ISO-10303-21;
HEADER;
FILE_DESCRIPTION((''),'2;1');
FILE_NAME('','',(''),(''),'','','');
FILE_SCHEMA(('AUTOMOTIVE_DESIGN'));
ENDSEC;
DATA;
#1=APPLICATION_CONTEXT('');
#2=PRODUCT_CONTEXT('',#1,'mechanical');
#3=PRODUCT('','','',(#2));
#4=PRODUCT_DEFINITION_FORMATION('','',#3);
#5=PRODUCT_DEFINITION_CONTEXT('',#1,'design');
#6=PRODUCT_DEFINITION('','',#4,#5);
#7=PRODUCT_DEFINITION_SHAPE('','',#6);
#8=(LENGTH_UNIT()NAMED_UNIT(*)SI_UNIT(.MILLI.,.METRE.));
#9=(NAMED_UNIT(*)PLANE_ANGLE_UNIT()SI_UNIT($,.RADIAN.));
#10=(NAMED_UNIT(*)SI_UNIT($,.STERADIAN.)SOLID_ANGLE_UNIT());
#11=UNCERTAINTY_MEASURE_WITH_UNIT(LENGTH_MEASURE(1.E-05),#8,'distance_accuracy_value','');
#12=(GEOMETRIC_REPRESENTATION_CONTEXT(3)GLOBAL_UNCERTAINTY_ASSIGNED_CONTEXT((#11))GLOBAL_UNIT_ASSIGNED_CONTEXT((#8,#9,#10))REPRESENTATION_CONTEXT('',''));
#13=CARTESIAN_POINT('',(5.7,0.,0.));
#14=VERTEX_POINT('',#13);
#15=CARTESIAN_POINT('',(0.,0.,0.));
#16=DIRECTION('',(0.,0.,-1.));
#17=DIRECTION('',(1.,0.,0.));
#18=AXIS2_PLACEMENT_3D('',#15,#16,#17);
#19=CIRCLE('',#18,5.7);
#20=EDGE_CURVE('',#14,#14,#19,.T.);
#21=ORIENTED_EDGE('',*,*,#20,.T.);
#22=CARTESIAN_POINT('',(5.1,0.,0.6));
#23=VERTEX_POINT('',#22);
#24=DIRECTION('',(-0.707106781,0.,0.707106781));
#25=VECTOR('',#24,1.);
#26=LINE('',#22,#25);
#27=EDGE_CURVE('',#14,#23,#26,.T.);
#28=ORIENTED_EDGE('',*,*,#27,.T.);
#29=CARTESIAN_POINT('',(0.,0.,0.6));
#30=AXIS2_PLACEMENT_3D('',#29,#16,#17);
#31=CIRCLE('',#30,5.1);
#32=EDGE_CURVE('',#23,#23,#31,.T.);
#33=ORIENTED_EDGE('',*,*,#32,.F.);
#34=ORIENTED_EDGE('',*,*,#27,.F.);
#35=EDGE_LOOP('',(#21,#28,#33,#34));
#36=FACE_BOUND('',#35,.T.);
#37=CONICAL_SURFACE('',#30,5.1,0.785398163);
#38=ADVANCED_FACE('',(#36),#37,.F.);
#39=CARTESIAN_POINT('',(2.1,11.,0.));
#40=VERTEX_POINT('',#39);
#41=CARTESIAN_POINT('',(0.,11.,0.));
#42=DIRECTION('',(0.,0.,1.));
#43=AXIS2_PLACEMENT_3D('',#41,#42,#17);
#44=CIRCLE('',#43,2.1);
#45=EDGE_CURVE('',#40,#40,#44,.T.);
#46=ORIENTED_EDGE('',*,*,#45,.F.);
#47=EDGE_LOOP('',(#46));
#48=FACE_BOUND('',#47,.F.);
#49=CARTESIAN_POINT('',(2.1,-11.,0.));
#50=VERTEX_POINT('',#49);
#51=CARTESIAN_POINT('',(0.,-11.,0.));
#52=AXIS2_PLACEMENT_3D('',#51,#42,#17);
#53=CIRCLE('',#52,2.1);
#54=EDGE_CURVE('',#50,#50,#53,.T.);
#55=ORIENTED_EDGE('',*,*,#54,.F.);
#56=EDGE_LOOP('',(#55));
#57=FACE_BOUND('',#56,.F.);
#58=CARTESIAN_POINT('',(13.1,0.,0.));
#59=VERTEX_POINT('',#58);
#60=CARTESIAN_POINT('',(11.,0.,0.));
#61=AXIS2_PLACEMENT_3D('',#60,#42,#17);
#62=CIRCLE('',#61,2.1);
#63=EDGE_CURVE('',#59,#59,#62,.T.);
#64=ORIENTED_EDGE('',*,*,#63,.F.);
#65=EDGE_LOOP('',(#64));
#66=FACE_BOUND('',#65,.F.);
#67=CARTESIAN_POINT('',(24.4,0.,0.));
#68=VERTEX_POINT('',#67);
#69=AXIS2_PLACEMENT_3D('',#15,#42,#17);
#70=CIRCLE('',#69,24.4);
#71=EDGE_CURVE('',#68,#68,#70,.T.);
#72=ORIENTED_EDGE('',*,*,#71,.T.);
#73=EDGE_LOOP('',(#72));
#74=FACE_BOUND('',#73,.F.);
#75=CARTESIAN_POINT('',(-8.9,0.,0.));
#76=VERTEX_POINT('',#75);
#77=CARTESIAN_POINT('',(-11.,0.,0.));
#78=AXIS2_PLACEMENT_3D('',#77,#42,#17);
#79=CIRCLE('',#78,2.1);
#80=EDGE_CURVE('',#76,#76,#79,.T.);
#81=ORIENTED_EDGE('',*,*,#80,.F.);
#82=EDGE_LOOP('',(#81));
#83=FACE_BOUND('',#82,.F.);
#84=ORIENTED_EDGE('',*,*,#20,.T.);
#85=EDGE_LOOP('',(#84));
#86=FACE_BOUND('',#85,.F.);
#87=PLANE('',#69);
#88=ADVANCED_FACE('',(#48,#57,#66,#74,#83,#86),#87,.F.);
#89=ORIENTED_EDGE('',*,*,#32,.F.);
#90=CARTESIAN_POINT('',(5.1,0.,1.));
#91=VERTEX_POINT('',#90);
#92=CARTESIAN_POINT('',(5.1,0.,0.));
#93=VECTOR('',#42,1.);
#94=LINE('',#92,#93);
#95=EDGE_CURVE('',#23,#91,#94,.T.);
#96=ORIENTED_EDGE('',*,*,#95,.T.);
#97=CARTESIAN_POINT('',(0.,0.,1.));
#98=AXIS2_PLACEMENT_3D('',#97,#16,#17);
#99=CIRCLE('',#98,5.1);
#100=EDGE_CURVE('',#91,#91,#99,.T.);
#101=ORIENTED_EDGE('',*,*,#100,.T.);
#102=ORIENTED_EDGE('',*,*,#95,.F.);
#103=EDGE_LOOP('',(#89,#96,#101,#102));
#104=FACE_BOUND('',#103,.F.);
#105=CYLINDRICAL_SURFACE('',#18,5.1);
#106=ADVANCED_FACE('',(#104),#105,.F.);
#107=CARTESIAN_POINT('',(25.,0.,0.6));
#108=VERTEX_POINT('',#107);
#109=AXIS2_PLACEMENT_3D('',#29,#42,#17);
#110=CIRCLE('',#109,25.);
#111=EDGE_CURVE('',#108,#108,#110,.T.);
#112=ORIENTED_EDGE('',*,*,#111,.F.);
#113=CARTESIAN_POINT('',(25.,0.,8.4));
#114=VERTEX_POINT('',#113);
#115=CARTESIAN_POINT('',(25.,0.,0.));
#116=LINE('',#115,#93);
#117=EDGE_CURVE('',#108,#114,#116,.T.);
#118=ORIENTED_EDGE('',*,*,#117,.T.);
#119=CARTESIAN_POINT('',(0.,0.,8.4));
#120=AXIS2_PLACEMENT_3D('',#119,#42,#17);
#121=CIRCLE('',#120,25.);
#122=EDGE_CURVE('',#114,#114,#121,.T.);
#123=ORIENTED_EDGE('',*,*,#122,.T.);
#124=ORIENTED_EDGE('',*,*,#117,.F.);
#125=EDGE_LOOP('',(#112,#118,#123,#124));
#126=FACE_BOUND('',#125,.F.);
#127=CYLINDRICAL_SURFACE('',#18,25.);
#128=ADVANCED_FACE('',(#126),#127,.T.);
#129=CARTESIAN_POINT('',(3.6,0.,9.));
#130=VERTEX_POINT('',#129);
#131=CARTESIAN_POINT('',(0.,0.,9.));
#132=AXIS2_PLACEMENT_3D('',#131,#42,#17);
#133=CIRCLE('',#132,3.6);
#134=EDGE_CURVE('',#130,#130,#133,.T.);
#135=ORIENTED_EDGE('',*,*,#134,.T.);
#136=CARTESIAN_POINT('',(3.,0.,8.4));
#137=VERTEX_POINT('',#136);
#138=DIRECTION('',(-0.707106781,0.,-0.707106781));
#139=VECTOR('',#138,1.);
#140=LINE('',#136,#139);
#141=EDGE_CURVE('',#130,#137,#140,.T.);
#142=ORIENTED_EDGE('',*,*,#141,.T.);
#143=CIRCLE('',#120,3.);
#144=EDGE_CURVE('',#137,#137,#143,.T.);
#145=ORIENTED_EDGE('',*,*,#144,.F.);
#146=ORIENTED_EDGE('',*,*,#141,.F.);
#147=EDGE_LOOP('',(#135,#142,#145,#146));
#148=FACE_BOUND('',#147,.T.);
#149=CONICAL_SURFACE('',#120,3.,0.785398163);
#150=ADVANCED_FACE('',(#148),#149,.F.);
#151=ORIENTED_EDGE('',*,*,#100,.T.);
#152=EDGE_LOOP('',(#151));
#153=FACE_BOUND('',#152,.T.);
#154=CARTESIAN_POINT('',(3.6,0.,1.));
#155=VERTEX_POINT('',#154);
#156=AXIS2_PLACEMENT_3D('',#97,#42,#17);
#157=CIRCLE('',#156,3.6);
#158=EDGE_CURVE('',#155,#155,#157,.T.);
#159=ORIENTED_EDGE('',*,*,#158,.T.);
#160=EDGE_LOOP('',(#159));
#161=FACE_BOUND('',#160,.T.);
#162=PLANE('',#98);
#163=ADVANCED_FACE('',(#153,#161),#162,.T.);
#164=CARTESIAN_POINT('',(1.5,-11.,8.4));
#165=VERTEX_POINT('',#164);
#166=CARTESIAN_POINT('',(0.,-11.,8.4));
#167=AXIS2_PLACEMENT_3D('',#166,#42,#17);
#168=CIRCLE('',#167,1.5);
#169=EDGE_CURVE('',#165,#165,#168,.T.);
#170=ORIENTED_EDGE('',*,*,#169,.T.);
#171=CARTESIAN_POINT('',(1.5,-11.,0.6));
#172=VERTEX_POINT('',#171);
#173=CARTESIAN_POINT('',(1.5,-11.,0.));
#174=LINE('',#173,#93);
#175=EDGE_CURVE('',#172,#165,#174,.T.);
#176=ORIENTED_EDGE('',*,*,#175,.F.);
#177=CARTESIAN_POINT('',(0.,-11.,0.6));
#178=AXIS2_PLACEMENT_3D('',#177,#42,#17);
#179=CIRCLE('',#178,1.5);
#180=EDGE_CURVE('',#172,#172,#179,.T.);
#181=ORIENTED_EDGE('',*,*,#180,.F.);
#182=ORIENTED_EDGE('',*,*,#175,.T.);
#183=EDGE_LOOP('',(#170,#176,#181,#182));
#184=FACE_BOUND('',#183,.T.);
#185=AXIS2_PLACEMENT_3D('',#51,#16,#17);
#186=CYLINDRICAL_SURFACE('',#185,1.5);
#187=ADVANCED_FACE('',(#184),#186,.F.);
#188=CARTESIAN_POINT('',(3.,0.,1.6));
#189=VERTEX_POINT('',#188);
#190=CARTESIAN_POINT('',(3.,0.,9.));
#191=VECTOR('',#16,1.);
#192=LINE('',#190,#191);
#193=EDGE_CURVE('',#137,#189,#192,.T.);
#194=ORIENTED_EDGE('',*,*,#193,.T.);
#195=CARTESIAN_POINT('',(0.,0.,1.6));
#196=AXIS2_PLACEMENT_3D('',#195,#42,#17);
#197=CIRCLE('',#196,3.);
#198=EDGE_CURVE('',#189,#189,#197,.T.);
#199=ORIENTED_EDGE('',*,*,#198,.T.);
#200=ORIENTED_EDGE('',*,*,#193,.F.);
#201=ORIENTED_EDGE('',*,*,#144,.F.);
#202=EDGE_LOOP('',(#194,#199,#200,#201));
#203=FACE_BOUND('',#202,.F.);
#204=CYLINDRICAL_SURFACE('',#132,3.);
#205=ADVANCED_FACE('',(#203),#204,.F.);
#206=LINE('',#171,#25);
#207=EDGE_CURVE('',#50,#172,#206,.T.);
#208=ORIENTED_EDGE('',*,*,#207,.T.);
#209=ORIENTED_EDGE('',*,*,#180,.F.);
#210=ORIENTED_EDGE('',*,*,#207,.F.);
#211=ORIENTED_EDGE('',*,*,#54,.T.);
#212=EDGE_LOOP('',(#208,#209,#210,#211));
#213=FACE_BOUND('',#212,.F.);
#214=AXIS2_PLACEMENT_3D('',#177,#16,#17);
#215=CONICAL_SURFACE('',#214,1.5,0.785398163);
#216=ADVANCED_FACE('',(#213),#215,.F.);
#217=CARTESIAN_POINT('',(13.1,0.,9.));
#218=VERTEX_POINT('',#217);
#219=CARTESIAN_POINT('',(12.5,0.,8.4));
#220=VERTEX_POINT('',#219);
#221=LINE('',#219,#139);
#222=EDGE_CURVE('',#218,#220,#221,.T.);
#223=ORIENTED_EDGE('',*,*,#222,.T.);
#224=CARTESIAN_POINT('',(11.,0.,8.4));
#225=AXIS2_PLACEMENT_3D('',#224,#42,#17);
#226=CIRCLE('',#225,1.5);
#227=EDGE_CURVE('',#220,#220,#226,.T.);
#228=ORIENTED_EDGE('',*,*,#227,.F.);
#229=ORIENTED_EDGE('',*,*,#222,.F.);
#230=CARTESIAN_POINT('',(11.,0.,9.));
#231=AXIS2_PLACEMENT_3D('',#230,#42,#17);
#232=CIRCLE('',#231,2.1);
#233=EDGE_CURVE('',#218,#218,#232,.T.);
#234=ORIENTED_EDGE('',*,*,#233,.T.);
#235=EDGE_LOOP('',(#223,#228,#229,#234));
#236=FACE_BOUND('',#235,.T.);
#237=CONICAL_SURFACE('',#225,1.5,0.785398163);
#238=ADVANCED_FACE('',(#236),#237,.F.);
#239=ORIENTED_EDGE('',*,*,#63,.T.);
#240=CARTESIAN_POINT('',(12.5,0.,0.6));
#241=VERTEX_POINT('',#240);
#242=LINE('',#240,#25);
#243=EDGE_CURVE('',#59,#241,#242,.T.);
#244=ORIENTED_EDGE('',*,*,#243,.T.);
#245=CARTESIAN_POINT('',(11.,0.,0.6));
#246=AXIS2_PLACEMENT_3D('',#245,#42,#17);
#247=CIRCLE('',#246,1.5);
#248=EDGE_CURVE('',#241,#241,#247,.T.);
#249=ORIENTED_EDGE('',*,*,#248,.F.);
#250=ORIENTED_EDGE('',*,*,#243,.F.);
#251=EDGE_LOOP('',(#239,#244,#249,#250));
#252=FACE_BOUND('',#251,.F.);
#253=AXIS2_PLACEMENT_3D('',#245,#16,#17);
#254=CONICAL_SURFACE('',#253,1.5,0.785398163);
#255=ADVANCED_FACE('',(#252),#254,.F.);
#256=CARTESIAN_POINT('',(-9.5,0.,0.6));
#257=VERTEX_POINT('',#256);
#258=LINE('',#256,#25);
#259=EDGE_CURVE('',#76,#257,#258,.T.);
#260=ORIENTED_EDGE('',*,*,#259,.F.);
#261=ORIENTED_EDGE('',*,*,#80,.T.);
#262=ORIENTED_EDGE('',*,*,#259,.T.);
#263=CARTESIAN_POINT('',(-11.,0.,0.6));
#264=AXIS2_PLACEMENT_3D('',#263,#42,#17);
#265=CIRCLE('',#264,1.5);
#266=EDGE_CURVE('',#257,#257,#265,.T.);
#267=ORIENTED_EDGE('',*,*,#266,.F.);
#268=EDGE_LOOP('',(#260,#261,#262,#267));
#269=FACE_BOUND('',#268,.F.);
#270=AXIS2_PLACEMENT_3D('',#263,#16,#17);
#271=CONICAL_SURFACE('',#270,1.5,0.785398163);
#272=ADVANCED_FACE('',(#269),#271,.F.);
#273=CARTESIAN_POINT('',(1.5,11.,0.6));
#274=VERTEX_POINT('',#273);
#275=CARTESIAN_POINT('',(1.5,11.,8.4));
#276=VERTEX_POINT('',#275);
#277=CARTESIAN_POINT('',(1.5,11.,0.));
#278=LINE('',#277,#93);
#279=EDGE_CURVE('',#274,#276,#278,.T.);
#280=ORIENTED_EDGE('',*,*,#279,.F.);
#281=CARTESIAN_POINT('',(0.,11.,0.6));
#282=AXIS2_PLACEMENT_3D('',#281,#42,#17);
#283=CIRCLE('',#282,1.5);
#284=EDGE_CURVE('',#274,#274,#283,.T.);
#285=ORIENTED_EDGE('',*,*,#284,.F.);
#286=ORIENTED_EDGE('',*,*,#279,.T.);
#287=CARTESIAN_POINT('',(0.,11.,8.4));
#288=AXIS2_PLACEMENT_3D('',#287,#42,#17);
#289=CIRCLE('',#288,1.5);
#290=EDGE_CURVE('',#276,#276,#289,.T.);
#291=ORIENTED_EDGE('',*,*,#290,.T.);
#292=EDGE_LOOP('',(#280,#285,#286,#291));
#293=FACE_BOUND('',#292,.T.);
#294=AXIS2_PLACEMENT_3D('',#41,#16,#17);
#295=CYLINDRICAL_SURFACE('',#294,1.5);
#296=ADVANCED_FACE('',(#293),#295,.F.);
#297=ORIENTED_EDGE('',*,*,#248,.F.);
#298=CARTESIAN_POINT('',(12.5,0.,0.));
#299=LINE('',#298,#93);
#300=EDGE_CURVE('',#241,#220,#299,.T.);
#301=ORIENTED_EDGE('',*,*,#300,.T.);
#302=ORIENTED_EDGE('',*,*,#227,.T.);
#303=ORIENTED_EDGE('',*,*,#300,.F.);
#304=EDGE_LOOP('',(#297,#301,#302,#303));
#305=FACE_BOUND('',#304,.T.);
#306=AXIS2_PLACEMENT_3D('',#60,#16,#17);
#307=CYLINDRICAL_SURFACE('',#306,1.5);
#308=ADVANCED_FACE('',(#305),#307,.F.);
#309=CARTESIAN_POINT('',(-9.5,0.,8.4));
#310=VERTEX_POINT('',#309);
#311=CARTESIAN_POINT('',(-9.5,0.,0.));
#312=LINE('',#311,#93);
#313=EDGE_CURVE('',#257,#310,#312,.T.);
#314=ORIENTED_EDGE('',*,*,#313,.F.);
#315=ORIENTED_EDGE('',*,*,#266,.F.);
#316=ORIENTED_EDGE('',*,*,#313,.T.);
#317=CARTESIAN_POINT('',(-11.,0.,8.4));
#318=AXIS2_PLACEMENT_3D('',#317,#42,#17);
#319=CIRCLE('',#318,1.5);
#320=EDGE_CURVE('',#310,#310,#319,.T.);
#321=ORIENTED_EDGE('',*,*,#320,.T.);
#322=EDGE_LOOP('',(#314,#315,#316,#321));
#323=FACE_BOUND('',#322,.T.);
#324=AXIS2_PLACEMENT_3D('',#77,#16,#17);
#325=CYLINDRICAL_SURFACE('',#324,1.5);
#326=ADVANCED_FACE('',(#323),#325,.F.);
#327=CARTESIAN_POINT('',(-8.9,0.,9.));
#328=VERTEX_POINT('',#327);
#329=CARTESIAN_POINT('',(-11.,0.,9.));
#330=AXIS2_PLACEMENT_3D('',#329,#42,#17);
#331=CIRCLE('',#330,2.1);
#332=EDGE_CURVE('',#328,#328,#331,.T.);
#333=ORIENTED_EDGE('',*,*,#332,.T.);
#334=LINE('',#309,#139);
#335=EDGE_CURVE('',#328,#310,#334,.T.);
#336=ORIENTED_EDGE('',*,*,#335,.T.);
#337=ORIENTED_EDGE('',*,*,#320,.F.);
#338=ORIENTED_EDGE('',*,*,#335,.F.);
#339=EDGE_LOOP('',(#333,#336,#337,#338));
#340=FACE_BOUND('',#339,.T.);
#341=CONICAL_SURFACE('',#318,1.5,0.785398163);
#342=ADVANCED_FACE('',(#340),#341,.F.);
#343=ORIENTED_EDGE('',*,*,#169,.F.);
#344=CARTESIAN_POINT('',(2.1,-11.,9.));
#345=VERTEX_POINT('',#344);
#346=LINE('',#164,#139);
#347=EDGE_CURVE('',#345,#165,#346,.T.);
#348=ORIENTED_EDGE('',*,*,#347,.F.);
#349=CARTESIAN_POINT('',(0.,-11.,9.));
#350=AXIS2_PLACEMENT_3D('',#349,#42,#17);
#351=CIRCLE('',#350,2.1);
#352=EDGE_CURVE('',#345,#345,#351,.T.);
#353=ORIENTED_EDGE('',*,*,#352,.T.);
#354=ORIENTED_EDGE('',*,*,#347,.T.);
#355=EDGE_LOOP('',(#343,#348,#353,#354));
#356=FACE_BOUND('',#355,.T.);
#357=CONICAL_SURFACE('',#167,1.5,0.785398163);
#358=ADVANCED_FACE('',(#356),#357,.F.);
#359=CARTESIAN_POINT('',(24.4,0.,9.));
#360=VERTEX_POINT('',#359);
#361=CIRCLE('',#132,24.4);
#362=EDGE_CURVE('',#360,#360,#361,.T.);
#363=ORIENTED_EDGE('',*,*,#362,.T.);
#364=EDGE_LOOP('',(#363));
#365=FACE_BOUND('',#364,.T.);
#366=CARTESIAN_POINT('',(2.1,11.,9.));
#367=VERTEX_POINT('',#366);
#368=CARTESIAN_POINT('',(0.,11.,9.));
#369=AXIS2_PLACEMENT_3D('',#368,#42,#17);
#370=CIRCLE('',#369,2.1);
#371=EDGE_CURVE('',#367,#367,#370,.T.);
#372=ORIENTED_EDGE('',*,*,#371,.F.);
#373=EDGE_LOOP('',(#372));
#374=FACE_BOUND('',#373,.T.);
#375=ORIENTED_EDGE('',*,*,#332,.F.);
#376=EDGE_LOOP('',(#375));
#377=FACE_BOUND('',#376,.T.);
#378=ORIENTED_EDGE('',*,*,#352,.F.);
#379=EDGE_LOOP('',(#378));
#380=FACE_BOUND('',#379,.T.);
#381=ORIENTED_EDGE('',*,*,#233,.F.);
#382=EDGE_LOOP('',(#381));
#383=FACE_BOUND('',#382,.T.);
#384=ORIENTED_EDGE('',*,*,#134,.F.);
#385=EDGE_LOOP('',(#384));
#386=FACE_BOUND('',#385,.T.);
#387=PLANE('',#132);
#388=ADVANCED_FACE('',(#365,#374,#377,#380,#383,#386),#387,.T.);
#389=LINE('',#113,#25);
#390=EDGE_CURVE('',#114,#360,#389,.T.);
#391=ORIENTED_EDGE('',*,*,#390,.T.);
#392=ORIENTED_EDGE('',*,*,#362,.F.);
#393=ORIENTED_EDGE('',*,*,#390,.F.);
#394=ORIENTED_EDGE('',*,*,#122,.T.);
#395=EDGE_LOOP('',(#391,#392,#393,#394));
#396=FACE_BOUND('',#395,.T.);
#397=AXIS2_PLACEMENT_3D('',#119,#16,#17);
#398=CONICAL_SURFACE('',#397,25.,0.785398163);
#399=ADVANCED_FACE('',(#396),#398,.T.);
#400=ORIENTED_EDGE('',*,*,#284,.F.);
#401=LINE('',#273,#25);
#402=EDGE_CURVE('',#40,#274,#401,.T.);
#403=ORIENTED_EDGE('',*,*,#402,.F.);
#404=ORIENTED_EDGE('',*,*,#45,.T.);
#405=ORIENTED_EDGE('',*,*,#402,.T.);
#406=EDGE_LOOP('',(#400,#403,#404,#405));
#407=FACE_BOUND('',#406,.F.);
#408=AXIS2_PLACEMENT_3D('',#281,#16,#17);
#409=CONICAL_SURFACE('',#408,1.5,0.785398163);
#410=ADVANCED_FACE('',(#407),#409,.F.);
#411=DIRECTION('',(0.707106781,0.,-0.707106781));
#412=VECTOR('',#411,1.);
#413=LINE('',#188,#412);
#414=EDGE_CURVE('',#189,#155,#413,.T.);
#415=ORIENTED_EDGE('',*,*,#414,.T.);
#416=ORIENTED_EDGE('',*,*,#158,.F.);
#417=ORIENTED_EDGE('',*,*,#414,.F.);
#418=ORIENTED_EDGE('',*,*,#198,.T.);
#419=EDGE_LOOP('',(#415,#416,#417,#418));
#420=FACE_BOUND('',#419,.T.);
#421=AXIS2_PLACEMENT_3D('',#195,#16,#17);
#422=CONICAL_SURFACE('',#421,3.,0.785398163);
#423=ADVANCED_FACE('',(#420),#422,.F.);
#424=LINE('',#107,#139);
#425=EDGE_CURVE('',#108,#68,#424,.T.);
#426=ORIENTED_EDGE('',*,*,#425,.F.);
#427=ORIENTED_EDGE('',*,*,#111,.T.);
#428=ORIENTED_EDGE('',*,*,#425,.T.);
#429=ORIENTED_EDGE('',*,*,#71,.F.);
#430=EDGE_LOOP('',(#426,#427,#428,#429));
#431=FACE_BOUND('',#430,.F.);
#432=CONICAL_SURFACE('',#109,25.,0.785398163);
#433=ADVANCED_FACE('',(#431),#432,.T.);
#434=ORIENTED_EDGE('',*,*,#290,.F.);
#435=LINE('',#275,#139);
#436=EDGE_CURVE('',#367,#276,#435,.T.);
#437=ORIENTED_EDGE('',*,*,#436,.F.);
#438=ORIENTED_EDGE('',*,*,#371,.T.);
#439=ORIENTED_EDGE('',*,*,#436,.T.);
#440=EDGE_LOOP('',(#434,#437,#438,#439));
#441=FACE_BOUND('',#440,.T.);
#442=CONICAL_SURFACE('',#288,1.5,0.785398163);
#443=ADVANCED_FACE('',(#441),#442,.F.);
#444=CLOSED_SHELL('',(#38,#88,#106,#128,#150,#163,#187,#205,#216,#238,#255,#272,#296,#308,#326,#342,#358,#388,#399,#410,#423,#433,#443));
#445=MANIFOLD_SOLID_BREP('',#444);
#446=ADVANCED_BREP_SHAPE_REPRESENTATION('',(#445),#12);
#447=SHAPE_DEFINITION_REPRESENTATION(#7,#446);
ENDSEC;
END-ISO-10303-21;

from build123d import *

# Parameters (mm, degrees)
SKETCH_R        = 25
SKETCH_R_2      = 1.5
PAD_DEPTH       = 9
SKETCH002_R     = 3
POCKET_DEPTH    = 28
SKETCH003_R     = 5.1
POCKET001_DEPTH = 1
CHAMFER_SIZE    = 0.6


with BuildPart() as part:
    # Sketch → Pad (new body)
    with BuildSketch(Plane.XY):
        Circle(SKETCH_R)
        with Locations((0, 11)):
            Circle(SKETCH_R_2, mode=Mode.SUBTRACT)
        with Locations((-11, 0)):
            Circle(SKETCH_R_2, mode=Mode.SUBTRACT)
        with Locations((0, -11)):
            Circle(SKETCH_R_2, mode=Mode.SUBTRACT)
        with Locations((11, 0)):
            Circle(SKETCH_R_2, mode=Mode.SUBTRACT)
    extrude(amount=PAD_DEPTH)

    # Sketch002 (on Face7 of Pad) → Pocket (cut)
    with BuildSketch(Plane.XY.offset(9)):
        Circle(SKETCH002_R)
    extrude(amount=-POCKET_DEPTH, mode=Mode.SUBTRACT)

    # Sketch003 (on Face2 of Pocket) → Pocket001 (cut)
    with BuildSketch(Plane(origin=(0, 0, 0), x_dir=(1, 0, 0), z_dir=(0, 0, -1))):
        Circle(SKETCH003_R)
    extrude(amount=-POCKET001_DEPTH, mode=Mode.SUBTRACT)

    # Chamfer
    chamfer_edges = [part.edges().sort_by_distance(p)[0] for p in [
        (-1.5, 11, 0),
        (-25, 0, 0),
        (9.5, 0, 0),
        (-1.5, -11, 0),
        (-12.5, 0, 0),
        (-5.1, 0, 0),
        (-3, 0, 1),
        (9.5, 0, 9),
        (-1.5, 11, 9),
        (-3, 0, 9),
        (-12.5, 0, 9),
        (-1.5, -11, 9),
        (-25, 0, 9),
    ]]
    chamfer(chamfer_edges, length=CHAMFER_SIZE)


solid = part.part
